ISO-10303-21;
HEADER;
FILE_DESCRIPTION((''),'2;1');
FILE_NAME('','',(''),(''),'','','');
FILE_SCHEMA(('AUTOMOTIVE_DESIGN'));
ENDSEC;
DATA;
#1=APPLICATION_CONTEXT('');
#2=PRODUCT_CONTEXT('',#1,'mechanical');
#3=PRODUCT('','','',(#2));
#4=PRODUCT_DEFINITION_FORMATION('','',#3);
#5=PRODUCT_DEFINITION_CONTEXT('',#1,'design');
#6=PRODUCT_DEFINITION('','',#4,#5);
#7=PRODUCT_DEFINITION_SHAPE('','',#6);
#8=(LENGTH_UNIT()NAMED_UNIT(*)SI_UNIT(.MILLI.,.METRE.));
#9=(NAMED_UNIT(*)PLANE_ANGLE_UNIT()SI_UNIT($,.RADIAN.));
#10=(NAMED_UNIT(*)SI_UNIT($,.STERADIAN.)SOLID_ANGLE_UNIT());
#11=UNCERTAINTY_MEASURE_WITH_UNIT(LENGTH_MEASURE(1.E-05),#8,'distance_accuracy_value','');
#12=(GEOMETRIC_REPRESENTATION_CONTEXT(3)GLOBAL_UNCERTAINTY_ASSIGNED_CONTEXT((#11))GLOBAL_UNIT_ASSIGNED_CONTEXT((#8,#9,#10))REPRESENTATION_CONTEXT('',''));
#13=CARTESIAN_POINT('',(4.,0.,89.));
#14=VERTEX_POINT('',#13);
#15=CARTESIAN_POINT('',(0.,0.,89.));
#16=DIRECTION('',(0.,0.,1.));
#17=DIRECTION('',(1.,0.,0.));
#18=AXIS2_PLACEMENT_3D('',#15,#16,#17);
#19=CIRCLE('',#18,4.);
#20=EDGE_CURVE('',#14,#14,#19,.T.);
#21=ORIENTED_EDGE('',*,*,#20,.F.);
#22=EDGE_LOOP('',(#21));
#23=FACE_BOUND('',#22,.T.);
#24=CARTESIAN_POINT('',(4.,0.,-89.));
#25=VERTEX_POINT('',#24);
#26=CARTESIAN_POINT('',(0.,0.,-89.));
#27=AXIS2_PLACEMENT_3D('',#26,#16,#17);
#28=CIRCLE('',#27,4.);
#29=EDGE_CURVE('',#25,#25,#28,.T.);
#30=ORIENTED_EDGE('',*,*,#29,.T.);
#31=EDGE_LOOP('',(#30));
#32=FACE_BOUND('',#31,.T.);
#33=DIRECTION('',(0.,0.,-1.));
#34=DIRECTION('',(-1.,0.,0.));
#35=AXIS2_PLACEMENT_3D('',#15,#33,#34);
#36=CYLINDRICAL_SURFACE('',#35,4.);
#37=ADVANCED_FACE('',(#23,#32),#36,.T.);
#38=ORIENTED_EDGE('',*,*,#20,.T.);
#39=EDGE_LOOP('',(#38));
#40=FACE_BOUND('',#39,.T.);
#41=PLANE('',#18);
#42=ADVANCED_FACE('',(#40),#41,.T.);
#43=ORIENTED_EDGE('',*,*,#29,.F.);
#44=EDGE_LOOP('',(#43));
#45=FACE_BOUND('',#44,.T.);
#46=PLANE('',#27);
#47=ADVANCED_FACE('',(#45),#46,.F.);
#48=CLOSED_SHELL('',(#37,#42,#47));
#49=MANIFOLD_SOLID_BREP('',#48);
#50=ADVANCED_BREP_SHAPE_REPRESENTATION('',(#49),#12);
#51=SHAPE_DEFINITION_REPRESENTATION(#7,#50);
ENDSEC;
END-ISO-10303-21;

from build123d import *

# Parameters (mm, degrees)
SKETCH1_R           = 4
BOSS_EXTRUDE1_DEPTH = 89


with BuildPart() as part:
    # Sketch1 → Boss-Extrude1 (new body, symmetric)
    with BuildSketch(Plane.XY):
        Circle(SKETCH1_R)
    extrude(amount=BOSS_EXTRUDE1_DEPTH, both=True)


solid = part.part
